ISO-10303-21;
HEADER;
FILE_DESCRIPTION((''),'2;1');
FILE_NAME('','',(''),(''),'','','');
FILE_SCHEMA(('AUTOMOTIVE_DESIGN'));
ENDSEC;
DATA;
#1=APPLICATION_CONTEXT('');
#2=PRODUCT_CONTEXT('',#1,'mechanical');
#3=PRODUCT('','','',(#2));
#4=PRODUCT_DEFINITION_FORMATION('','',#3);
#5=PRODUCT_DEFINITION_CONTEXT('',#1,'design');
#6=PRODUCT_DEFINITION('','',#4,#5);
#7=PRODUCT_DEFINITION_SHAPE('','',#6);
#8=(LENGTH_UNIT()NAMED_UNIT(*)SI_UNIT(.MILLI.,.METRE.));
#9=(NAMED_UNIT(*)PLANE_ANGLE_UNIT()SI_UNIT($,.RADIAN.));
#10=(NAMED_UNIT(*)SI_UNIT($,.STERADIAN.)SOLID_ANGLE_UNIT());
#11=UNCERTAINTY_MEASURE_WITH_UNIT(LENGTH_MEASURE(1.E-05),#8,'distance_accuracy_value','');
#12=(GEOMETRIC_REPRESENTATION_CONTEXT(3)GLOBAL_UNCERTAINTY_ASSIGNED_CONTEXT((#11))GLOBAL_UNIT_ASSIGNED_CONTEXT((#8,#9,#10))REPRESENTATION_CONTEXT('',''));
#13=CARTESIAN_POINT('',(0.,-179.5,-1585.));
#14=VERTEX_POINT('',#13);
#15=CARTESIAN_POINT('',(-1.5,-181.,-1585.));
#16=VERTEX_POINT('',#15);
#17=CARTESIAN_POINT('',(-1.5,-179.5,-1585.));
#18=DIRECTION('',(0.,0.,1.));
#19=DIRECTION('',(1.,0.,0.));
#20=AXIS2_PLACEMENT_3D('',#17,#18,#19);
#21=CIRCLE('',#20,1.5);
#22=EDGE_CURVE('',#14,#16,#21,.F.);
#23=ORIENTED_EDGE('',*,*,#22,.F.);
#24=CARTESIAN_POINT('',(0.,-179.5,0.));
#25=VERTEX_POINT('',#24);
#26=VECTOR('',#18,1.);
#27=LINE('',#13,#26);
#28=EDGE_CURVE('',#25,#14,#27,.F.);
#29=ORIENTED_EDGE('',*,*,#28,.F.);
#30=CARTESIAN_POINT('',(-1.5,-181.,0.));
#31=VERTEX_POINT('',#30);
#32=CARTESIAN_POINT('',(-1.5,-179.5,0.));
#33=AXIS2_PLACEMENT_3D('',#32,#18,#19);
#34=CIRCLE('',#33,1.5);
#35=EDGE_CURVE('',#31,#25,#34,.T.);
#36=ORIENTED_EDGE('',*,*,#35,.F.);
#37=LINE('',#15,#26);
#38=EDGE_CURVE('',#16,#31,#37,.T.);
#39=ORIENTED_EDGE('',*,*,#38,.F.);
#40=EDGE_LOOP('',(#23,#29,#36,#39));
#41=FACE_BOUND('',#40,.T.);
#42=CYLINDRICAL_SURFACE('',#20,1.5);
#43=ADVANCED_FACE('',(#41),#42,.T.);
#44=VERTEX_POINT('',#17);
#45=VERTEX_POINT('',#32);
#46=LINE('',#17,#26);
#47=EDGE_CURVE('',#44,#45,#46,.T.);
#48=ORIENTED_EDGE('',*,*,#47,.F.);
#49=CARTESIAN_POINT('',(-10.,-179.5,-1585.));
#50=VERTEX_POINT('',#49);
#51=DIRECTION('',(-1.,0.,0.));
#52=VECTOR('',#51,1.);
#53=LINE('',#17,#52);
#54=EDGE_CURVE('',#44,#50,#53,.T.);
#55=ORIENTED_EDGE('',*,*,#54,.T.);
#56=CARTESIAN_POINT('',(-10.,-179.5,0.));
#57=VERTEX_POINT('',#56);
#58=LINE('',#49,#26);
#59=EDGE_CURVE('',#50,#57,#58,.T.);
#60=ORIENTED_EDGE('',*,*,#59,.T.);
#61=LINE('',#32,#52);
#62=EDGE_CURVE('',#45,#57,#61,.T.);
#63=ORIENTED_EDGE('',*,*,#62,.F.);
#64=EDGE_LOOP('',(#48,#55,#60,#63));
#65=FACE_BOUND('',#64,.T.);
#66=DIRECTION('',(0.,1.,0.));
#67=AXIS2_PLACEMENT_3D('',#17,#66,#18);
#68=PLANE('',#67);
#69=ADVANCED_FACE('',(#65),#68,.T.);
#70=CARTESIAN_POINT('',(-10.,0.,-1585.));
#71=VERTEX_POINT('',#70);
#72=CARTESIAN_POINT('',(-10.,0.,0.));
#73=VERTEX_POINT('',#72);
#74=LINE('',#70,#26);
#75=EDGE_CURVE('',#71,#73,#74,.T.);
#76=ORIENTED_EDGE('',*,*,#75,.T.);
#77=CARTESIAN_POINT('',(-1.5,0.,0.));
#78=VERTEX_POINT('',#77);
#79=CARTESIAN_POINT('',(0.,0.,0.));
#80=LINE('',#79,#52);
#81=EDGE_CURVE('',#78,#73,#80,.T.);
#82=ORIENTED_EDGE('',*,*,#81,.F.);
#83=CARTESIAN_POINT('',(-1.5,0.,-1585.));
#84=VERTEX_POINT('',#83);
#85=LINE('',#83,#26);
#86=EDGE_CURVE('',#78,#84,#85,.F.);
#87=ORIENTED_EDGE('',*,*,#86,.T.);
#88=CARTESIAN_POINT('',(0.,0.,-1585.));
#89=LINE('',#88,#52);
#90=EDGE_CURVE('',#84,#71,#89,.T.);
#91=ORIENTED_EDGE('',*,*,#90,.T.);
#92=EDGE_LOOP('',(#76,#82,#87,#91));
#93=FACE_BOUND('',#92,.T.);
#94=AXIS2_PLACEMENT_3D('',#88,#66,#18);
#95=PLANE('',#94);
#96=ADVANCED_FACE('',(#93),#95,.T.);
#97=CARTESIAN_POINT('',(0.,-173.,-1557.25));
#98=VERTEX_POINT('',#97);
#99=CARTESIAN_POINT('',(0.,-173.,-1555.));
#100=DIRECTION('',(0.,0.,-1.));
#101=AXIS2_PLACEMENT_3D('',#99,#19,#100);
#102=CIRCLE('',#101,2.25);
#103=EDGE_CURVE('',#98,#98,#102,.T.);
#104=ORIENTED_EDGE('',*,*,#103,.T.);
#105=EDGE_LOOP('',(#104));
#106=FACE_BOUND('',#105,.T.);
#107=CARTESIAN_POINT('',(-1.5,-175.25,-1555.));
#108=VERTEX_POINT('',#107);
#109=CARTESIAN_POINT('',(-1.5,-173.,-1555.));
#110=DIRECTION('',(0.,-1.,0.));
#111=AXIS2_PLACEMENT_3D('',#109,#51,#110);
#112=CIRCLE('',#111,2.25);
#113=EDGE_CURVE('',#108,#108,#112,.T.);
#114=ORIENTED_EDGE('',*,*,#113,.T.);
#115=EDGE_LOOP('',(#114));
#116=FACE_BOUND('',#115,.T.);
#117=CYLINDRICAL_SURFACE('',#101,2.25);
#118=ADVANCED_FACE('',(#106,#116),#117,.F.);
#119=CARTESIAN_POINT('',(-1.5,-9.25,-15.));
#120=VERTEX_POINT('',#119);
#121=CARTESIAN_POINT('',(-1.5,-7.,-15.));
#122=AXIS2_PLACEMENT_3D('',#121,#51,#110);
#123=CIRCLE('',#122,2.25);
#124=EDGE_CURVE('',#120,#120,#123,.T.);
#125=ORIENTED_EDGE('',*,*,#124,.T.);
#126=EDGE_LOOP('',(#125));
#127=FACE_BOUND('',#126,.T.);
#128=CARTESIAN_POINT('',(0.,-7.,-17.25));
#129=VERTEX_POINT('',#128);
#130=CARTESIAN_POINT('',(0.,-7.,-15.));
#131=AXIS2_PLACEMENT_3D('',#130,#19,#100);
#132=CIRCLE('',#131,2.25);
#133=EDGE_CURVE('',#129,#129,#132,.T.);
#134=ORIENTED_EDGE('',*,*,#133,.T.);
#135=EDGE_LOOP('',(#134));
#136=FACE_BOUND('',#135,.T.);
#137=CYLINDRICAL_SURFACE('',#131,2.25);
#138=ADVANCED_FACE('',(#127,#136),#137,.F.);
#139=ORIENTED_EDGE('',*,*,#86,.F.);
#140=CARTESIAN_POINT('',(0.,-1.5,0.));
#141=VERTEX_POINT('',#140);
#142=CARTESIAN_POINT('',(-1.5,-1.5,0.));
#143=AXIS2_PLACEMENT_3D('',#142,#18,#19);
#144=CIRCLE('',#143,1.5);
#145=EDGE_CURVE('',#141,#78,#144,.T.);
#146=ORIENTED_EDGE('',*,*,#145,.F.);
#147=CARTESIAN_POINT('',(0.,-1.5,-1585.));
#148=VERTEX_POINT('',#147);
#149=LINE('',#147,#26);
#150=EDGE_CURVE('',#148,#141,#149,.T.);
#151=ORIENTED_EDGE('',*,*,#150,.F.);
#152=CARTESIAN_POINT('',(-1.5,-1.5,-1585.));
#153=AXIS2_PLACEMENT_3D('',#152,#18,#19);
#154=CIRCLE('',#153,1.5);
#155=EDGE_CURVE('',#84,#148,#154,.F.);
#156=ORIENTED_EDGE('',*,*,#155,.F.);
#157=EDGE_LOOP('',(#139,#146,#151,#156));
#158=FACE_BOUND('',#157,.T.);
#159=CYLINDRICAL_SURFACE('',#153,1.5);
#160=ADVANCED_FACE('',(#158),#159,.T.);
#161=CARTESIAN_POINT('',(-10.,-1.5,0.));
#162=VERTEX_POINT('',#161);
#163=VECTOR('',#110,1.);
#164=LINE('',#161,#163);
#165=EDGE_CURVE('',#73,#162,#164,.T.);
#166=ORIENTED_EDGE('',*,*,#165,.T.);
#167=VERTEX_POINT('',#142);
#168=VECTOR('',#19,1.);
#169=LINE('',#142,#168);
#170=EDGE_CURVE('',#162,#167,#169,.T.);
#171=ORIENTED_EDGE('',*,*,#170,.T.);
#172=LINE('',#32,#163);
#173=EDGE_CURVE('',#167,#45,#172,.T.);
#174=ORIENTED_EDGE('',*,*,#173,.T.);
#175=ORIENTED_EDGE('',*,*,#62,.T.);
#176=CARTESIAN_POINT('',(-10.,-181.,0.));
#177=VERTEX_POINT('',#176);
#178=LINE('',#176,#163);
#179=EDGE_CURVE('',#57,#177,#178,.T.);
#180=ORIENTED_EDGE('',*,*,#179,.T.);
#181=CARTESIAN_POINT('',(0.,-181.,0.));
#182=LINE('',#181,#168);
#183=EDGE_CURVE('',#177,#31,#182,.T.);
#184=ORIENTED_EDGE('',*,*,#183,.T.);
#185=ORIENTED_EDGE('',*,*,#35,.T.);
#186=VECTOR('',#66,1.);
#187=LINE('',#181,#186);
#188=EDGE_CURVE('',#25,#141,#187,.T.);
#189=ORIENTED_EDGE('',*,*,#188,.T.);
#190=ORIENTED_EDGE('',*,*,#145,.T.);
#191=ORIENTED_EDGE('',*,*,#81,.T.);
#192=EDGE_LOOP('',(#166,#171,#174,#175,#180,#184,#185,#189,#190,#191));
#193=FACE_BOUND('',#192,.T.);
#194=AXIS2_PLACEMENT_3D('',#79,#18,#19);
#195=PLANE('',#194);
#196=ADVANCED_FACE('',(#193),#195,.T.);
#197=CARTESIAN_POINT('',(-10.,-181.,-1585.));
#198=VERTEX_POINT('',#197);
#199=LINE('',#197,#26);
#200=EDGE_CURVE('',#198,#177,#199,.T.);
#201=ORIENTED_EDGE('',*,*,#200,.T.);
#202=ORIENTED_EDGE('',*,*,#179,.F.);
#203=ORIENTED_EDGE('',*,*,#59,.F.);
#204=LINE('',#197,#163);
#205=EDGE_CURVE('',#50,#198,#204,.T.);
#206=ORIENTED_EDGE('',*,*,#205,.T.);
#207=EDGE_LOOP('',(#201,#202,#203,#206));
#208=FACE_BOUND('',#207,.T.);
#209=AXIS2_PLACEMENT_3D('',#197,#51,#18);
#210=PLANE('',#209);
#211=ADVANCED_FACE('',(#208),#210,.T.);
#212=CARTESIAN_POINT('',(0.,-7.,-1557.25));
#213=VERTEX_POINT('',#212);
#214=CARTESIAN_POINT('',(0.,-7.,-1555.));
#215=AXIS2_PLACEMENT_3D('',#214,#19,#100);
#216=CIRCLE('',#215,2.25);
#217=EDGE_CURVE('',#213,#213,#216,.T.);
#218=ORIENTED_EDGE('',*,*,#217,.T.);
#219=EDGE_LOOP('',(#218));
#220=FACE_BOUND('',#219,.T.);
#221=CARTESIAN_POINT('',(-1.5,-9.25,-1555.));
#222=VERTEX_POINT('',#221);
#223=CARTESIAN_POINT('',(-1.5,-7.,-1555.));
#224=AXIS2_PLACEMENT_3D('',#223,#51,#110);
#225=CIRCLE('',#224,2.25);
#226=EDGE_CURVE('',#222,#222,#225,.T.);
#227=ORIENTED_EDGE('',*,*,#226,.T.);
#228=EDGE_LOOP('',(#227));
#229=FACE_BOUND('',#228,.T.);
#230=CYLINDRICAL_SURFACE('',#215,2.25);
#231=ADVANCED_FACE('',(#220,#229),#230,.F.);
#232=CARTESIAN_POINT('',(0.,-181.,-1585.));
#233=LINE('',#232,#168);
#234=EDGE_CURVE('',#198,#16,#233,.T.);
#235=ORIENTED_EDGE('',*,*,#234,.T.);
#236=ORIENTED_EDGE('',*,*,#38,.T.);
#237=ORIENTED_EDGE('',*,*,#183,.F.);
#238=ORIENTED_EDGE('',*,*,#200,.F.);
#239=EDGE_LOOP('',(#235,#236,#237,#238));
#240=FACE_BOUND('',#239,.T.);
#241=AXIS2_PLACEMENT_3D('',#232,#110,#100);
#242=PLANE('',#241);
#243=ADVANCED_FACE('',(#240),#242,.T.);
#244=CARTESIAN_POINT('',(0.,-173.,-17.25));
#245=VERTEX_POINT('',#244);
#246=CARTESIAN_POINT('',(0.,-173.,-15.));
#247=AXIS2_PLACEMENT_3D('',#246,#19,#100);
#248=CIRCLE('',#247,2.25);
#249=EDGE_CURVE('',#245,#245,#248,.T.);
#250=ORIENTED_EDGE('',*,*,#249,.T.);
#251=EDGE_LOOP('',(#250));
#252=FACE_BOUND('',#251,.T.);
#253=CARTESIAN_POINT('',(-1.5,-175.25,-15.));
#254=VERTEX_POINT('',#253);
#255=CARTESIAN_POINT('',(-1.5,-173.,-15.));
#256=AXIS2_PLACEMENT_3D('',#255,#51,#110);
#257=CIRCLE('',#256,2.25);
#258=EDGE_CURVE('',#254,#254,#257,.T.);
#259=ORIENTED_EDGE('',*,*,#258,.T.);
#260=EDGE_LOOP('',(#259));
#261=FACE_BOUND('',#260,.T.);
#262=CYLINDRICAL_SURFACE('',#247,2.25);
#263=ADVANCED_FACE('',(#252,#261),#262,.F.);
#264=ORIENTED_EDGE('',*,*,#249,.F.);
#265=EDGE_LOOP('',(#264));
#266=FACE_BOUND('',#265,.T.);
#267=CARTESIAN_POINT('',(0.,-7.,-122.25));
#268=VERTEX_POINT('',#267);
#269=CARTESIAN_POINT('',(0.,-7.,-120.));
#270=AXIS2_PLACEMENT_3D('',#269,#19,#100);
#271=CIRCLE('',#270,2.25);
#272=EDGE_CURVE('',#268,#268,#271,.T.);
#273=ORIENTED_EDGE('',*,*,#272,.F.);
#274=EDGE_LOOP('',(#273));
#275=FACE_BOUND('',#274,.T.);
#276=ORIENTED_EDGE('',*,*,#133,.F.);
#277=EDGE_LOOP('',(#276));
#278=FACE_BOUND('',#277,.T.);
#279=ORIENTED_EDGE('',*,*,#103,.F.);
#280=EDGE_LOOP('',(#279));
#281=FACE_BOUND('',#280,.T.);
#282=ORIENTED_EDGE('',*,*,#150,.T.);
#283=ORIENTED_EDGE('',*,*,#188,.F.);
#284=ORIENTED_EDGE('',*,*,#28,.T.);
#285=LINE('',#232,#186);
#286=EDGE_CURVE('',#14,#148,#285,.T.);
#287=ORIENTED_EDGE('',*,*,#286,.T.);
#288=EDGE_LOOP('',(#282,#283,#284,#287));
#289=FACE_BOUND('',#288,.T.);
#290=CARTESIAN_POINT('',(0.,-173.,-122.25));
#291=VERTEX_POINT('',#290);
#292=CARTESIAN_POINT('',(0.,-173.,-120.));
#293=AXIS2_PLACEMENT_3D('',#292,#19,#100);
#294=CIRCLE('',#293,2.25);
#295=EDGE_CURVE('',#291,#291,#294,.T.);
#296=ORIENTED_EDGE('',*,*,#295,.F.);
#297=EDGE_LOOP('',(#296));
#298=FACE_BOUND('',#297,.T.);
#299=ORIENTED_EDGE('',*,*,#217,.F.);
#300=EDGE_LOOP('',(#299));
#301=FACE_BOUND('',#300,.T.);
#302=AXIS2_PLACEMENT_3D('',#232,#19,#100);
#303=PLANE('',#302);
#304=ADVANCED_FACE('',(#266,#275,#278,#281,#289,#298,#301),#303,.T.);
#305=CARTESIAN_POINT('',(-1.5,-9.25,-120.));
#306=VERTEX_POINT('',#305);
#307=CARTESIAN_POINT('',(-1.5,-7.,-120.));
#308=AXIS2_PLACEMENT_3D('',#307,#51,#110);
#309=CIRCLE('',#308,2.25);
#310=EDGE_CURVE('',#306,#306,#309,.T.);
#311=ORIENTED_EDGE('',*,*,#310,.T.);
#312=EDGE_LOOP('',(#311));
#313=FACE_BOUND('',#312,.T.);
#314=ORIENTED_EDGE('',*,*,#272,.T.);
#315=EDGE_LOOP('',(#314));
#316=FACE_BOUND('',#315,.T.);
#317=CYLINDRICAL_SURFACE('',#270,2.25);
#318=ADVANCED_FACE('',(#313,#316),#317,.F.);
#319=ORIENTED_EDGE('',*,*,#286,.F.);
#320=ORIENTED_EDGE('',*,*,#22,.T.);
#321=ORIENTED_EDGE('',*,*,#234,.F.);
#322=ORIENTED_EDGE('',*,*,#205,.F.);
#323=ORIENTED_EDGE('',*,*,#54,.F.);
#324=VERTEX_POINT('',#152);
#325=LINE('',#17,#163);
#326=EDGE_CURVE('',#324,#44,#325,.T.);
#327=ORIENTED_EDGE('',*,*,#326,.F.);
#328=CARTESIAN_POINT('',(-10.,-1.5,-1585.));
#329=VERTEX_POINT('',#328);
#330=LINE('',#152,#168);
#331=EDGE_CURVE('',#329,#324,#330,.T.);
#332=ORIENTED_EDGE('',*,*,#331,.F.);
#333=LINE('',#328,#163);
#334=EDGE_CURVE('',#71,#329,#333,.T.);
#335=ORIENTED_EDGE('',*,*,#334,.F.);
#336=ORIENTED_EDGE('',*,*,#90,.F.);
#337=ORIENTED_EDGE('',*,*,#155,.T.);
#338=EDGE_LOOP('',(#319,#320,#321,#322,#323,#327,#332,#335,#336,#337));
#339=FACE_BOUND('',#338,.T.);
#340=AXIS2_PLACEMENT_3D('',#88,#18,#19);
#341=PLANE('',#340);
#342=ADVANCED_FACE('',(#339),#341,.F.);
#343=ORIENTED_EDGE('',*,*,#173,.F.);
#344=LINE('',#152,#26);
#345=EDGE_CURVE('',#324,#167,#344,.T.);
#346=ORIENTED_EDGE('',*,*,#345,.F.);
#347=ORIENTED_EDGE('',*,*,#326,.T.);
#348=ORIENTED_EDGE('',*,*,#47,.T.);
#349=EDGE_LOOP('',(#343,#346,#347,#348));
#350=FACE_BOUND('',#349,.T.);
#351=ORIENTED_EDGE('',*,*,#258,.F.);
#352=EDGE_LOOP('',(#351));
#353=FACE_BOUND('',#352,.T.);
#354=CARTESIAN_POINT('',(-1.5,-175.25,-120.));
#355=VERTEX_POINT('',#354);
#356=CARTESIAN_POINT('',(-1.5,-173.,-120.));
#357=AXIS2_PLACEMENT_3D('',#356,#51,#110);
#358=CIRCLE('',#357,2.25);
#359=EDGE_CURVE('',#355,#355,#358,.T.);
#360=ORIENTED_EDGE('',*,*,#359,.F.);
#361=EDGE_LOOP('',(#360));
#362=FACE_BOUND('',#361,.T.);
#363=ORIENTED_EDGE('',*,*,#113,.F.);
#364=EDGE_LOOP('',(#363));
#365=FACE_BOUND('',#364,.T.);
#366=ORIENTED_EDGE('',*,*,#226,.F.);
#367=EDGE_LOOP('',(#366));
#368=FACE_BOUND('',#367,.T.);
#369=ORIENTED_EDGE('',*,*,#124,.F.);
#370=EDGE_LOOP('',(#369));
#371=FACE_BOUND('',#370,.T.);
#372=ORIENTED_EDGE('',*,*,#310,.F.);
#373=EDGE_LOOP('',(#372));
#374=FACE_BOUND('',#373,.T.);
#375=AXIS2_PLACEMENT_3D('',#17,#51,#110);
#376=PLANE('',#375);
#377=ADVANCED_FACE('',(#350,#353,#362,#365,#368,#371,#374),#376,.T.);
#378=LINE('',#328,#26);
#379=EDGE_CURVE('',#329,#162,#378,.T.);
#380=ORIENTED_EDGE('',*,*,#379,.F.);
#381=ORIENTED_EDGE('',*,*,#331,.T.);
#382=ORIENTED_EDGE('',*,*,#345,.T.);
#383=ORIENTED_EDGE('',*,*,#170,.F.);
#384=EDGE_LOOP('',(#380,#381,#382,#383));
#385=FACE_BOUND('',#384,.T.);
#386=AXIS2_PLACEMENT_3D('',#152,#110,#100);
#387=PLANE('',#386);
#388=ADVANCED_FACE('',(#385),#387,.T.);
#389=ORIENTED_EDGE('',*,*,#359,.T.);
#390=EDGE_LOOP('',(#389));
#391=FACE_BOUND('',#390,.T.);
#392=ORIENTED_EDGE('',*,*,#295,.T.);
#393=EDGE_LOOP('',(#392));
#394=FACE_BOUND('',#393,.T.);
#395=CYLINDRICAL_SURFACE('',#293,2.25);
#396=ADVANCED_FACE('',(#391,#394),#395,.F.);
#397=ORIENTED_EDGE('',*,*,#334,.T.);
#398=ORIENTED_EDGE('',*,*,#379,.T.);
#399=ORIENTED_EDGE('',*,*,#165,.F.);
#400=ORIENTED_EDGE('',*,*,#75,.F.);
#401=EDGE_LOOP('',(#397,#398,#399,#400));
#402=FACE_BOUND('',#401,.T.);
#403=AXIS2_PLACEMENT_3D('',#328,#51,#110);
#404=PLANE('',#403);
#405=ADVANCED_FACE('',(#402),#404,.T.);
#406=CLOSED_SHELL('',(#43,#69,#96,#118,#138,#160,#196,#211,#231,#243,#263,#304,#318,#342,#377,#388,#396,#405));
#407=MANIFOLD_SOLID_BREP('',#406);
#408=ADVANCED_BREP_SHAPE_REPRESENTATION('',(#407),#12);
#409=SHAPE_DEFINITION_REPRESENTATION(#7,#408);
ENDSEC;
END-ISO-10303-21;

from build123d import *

# Parameters (mm, degrees)
BOSS_EXTRUDE1_DEPTH            = 1585
FILLET1_R                      = 1.5
F_4_5_4_5_DIAMETER_HOLE1_D     = 4.5
F_4_5_4_5_DIAMETER_HOLE1_DEPTH = 1.5
LPATTERN2_COUNT                = 2
LPATTERN2_PITCH                = 166


with BuildPart() as part:
    # Sketch1 → Boss-Extrude1 (new body)
    with BuildSketch(Plane.XY):
        Polygon((-10, -1.5), (-10, 0), (0, 0), (0, -181), (-10, -181), (-10, -179.5), (-1.5, -179.5), (-1.5, -1.5), align=None)
    extrude(amount=-BOSS_EXTRUDE1_DEPTH)

    # Fillet1
    fillet1_edges = [part.edges().sort_by_distance(p)[0] for p in [
        (0, -181, -792.5),
        (0, 0, -792.5),
    ]]
    fillet(fillet1_edges, radius=FILLET1_R)

    # Ø4.5 (4.5) Diameter Hole1
    with Locations(Plane(origin=(0, 0, 0), x_dir=(0, 0, -1), z_dir=(1, 0, 0))):
        with Locations((15, -7), (120, -7), (1555, -7)):
            f_4_5_4_5_diameter_hole1 = Hole(F_4_5_4_5_DIAMETER_HOLE1_D / 2, depth=F_4_5_4_5_DIAMETER_HOLE1_DEPTH)

    # LPattern2: Ø4.5 (4.5) Diameter Hole1 ×2
    with Locations(*[(0, -i * LPATTERN2_PITCH, 0) for i in range(1, LPATTERN2_COUNT)]):
        add(f_4_5_4_5_diameter_hole1, mode=Mode.SUBTRACT)


solid = part.part
